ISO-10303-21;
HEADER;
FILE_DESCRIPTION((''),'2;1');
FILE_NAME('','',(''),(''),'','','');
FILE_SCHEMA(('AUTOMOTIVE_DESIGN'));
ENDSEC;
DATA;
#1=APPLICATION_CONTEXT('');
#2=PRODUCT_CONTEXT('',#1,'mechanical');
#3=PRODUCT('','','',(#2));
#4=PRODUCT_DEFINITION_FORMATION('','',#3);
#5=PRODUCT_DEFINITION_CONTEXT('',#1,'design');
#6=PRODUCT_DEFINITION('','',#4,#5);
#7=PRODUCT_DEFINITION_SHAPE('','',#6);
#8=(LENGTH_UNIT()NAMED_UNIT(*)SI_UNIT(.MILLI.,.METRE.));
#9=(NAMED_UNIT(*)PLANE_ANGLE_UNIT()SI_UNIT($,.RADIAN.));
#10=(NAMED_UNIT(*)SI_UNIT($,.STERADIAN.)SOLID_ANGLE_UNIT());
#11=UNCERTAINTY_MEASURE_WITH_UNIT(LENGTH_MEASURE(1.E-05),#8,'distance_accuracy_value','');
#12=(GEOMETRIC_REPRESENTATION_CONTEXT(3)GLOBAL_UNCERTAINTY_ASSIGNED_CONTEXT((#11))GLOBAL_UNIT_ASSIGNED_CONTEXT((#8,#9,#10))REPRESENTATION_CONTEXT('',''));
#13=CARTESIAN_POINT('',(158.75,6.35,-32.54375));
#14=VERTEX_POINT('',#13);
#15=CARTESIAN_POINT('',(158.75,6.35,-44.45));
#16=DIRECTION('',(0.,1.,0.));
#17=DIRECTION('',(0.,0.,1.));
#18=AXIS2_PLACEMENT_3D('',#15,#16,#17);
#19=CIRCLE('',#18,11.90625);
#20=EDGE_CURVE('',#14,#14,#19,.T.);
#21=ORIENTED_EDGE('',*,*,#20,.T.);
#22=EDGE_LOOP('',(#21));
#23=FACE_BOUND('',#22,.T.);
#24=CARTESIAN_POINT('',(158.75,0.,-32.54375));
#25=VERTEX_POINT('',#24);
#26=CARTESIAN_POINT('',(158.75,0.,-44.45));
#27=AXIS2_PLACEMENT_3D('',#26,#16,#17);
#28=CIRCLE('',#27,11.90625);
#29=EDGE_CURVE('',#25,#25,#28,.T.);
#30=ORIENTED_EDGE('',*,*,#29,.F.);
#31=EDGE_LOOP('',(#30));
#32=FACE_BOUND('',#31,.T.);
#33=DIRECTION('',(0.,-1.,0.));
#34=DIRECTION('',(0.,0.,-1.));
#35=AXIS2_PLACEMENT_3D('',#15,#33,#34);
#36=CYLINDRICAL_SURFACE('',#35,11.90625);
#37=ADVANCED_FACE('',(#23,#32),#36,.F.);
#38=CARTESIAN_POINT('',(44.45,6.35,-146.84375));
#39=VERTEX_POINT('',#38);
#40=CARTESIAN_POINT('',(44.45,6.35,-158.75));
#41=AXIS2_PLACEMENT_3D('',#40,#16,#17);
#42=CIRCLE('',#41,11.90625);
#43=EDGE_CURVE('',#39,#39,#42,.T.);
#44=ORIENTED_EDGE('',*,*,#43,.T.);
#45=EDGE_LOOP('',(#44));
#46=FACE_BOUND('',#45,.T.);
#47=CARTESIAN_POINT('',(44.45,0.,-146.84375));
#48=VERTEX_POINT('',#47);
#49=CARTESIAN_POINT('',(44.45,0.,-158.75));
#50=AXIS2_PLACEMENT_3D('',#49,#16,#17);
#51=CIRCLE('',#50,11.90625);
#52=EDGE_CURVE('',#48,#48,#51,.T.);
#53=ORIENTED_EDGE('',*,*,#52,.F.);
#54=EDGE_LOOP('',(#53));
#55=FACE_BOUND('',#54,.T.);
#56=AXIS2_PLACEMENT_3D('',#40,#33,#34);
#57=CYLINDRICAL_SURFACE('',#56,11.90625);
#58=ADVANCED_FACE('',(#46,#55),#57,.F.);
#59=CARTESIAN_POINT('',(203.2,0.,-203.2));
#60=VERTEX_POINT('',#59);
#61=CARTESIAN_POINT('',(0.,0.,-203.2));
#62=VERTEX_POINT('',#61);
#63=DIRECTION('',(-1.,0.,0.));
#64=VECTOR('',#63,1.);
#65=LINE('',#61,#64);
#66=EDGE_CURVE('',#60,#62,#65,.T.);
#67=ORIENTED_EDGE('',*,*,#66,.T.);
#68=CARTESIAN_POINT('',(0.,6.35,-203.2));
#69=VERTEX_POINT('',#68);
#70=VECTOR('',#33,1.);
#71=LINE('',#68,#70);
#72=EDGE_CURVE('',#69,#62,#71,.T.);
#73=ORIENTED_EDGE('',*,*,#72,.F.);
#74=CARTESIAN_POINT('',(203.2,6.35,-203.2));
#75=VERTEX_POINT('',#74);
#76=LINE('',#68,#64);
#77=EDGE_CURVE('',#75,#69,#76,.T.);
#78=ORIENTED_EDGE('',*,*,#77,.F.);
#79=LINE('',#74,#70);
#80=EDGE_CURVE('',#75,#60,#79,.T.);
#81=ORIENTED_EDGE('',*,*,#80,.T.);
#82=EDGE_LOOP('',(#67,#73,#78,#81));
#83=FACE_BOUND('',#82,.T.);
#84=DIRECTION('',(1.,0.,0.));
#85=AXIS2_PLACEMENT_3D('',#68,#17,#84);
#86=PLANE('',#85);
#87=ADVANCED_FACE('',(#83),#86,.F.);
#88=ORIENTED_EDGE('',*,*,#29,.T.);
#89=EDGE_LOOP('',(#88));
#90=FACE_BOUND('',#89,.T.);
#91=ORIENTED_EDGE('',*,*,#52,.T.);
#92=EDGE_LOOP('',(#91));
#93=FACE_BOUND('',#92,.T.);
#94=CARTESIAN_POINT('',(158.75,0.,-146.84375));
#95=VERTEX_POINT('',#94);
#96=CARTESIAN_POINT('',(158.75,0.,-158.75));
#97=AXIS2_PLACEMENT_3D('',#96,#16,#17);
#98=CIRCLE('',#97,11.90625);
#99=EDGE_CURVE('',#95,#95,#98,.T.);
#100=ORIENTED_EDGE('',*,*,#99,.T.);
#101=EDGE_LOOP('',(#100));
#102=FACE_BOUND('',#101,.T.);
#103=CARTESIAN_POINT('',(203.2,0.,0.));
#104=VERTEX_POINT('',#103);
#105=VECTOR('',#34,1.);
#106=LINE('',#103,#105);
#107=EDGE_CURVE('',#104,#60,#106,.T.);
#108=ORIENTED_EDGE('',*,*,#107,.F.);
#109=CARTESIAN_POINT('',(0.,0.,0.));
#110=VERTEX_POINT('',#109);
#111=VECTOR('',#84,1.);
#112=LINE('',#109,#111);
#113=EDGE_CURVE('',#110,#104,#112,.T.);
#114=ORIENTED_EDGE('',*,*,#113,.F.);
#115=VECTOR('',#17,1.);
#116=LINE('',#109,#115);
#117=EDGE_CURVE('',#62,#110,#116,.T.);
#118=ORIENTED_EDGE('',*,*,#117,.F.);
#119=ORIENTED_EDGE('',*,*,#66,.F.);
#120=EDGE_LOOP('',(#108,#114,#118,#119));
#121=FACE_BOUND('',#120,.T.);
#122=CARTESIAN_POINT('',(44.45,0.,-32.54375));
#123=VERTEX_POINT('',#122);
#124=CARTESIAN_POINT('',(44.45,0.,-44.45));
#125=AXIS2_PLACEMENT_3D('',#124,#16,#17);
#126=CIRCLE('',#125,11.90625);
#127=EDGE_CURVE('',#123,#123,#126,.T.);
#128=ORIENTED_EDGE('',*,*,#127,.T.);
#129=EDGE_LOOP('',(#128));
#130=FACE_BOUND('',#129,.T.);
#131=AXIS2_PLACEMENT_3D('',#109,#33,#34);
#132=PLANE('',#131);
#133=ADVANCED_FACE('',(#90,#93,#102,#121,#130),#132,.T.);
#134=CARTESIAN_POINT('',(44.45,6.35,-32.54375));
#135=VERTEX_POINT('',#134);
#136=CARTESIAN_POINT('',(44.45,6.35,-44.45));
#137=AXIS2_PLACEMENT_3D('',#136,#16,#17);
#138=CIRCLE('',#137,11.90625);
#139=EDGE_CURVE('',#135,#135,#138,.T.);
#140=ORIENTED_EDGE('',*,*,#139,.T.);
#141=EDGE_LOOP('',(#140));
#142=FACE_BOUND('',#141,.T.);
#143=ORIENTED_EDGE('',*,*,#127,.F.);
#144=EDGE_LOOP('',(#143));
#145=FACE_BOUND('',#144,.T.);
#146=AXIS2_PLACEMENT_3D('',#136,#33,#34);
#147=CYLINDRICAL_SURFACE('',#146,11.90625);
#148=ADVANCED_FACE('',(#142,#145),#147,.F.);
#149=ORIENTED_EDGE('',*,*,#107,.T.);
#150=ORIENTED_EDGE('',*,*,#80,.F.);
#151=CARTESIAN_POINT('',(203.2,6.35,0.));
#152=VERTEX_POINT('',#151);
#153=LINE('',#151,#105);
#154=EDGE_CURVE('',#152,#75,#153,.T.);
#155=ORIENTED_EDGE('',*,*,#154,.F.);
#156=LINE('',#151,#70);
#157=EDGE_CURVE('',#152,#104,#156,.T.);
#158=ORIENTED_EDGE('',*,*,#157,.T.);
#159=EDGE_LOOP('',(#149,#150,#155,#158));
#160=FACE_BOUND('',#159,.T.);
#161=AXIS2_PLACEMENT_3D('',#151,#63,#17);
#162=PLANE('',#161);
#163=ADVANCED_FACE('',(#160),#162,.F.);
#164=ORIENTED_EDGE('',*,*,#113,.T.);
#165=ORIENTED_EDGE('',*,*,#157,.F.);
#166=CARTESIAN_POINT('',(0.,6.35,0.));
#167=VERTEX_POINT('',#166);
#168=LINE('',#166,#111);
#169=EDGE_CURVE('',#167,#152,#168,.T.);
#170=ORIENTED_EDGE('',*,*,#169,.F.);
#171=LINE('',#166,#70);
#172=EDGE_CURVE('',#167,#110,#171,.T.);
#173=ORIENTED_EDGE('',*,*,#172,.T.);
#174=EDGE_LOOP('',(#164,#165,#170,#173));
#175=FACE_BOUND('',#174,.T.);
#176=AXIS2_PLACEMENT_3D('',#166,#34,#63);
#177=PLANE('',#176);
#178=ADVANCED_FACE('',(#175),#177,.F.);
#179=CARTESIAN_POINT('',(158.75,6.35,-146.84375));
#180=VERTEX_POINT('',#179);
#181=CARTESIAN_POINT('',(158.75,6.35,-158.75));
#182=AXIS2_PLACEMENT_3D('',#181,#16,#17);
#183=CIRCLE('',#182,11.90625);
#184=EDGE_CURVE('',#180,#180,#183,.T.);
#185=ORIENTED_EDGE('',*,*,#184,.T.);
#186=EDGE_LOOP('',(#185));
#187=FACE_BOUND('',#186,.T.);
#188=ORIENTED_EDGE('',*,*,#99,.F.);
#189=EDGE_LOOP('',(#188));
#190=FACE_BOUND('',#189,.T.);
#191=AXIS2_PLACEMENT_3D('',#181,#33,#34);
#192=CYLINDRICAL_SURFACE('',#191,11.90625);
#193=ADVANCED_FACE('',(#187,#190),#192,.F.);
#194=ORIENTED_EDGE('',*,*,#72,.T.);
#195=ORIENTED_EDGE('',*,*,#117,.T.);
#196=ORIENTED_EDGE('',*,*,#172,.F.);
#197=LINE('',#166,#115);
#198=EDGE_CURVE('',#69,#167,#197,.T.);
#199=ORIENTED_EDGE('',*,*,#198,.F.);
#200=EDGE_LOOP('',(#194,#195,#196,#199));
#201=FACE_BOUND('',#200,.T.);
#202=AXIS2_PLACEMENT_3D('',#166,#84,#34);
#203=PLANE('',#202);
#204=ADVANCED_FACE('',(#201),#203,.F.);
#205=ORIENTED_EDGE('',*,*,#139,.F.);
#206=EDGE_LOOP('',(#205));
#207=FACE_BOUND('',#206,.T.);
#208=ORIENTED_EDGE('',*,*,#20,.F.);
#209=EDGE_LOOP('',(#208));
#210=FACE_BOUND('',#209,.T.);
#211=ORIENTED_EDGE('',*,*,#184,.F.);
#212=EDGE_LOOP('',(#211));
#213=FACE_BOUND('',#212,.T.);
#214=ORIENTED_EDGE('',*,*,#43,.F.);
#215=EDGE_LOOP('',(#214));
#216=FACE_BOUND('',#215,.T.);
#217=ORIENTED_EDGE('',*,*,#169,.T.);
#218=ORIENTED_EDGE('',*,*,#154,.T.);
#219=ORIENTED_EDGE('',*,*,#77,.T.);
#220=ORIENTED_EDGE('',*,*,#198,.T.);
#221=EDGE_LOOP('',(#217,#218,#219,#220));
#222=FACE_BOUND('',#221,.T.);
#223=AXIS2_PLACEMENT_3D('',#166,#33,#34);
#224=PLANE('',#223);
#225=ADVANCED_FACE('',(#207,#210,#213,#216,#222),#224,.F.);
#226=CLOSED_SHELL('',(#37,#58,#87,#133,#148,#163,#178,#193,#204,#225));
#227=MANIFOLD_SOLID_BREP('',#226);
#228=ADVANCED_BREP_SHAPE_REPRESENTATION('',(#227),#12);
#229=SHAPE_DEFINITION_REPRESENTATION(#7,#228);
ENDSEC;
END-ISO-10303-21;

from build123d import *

# Parameters (mm, degrees)
SKETCH2_W           = 203.2
SKETCH2_H           = 203.2
SKETCH2_R           = 11.90625
BOSS_EXTRUDE1_DEPTH = 6.35


with BuildPart() as part:
    # Sketch2 → Boss-Extrude1 (new body)
    with BuildSketch(Plane(origin=(0, 0, 0), x_dir=(1, 0, 0), z_dir=(0, 1, 0))):
        with Locations((101.6, 101.6)):
            Rectangle(SKETCH2_W, SKETCH2_H)
        with Locations((44.45, 158.75)):
            Circle(SKETCH2_R, mode=Mode.SUBTRACT)
        with Locations((44.45, 44.45)):
            Circle(SKETCH2_R, mode=Mode.SUBTRACT)
        with Locations((158.75, 158.75)):
            Circle(SKETCH2_R, mode=Mode.SUBTRACT)
        with Locations((158.75, 44.45)):
            Circle(SKETCH2_R, mode=Mode.SUBTRACT)
    extrude(amount=BOSS_EXTRUDE1_DEPTH)


solid = part.part
